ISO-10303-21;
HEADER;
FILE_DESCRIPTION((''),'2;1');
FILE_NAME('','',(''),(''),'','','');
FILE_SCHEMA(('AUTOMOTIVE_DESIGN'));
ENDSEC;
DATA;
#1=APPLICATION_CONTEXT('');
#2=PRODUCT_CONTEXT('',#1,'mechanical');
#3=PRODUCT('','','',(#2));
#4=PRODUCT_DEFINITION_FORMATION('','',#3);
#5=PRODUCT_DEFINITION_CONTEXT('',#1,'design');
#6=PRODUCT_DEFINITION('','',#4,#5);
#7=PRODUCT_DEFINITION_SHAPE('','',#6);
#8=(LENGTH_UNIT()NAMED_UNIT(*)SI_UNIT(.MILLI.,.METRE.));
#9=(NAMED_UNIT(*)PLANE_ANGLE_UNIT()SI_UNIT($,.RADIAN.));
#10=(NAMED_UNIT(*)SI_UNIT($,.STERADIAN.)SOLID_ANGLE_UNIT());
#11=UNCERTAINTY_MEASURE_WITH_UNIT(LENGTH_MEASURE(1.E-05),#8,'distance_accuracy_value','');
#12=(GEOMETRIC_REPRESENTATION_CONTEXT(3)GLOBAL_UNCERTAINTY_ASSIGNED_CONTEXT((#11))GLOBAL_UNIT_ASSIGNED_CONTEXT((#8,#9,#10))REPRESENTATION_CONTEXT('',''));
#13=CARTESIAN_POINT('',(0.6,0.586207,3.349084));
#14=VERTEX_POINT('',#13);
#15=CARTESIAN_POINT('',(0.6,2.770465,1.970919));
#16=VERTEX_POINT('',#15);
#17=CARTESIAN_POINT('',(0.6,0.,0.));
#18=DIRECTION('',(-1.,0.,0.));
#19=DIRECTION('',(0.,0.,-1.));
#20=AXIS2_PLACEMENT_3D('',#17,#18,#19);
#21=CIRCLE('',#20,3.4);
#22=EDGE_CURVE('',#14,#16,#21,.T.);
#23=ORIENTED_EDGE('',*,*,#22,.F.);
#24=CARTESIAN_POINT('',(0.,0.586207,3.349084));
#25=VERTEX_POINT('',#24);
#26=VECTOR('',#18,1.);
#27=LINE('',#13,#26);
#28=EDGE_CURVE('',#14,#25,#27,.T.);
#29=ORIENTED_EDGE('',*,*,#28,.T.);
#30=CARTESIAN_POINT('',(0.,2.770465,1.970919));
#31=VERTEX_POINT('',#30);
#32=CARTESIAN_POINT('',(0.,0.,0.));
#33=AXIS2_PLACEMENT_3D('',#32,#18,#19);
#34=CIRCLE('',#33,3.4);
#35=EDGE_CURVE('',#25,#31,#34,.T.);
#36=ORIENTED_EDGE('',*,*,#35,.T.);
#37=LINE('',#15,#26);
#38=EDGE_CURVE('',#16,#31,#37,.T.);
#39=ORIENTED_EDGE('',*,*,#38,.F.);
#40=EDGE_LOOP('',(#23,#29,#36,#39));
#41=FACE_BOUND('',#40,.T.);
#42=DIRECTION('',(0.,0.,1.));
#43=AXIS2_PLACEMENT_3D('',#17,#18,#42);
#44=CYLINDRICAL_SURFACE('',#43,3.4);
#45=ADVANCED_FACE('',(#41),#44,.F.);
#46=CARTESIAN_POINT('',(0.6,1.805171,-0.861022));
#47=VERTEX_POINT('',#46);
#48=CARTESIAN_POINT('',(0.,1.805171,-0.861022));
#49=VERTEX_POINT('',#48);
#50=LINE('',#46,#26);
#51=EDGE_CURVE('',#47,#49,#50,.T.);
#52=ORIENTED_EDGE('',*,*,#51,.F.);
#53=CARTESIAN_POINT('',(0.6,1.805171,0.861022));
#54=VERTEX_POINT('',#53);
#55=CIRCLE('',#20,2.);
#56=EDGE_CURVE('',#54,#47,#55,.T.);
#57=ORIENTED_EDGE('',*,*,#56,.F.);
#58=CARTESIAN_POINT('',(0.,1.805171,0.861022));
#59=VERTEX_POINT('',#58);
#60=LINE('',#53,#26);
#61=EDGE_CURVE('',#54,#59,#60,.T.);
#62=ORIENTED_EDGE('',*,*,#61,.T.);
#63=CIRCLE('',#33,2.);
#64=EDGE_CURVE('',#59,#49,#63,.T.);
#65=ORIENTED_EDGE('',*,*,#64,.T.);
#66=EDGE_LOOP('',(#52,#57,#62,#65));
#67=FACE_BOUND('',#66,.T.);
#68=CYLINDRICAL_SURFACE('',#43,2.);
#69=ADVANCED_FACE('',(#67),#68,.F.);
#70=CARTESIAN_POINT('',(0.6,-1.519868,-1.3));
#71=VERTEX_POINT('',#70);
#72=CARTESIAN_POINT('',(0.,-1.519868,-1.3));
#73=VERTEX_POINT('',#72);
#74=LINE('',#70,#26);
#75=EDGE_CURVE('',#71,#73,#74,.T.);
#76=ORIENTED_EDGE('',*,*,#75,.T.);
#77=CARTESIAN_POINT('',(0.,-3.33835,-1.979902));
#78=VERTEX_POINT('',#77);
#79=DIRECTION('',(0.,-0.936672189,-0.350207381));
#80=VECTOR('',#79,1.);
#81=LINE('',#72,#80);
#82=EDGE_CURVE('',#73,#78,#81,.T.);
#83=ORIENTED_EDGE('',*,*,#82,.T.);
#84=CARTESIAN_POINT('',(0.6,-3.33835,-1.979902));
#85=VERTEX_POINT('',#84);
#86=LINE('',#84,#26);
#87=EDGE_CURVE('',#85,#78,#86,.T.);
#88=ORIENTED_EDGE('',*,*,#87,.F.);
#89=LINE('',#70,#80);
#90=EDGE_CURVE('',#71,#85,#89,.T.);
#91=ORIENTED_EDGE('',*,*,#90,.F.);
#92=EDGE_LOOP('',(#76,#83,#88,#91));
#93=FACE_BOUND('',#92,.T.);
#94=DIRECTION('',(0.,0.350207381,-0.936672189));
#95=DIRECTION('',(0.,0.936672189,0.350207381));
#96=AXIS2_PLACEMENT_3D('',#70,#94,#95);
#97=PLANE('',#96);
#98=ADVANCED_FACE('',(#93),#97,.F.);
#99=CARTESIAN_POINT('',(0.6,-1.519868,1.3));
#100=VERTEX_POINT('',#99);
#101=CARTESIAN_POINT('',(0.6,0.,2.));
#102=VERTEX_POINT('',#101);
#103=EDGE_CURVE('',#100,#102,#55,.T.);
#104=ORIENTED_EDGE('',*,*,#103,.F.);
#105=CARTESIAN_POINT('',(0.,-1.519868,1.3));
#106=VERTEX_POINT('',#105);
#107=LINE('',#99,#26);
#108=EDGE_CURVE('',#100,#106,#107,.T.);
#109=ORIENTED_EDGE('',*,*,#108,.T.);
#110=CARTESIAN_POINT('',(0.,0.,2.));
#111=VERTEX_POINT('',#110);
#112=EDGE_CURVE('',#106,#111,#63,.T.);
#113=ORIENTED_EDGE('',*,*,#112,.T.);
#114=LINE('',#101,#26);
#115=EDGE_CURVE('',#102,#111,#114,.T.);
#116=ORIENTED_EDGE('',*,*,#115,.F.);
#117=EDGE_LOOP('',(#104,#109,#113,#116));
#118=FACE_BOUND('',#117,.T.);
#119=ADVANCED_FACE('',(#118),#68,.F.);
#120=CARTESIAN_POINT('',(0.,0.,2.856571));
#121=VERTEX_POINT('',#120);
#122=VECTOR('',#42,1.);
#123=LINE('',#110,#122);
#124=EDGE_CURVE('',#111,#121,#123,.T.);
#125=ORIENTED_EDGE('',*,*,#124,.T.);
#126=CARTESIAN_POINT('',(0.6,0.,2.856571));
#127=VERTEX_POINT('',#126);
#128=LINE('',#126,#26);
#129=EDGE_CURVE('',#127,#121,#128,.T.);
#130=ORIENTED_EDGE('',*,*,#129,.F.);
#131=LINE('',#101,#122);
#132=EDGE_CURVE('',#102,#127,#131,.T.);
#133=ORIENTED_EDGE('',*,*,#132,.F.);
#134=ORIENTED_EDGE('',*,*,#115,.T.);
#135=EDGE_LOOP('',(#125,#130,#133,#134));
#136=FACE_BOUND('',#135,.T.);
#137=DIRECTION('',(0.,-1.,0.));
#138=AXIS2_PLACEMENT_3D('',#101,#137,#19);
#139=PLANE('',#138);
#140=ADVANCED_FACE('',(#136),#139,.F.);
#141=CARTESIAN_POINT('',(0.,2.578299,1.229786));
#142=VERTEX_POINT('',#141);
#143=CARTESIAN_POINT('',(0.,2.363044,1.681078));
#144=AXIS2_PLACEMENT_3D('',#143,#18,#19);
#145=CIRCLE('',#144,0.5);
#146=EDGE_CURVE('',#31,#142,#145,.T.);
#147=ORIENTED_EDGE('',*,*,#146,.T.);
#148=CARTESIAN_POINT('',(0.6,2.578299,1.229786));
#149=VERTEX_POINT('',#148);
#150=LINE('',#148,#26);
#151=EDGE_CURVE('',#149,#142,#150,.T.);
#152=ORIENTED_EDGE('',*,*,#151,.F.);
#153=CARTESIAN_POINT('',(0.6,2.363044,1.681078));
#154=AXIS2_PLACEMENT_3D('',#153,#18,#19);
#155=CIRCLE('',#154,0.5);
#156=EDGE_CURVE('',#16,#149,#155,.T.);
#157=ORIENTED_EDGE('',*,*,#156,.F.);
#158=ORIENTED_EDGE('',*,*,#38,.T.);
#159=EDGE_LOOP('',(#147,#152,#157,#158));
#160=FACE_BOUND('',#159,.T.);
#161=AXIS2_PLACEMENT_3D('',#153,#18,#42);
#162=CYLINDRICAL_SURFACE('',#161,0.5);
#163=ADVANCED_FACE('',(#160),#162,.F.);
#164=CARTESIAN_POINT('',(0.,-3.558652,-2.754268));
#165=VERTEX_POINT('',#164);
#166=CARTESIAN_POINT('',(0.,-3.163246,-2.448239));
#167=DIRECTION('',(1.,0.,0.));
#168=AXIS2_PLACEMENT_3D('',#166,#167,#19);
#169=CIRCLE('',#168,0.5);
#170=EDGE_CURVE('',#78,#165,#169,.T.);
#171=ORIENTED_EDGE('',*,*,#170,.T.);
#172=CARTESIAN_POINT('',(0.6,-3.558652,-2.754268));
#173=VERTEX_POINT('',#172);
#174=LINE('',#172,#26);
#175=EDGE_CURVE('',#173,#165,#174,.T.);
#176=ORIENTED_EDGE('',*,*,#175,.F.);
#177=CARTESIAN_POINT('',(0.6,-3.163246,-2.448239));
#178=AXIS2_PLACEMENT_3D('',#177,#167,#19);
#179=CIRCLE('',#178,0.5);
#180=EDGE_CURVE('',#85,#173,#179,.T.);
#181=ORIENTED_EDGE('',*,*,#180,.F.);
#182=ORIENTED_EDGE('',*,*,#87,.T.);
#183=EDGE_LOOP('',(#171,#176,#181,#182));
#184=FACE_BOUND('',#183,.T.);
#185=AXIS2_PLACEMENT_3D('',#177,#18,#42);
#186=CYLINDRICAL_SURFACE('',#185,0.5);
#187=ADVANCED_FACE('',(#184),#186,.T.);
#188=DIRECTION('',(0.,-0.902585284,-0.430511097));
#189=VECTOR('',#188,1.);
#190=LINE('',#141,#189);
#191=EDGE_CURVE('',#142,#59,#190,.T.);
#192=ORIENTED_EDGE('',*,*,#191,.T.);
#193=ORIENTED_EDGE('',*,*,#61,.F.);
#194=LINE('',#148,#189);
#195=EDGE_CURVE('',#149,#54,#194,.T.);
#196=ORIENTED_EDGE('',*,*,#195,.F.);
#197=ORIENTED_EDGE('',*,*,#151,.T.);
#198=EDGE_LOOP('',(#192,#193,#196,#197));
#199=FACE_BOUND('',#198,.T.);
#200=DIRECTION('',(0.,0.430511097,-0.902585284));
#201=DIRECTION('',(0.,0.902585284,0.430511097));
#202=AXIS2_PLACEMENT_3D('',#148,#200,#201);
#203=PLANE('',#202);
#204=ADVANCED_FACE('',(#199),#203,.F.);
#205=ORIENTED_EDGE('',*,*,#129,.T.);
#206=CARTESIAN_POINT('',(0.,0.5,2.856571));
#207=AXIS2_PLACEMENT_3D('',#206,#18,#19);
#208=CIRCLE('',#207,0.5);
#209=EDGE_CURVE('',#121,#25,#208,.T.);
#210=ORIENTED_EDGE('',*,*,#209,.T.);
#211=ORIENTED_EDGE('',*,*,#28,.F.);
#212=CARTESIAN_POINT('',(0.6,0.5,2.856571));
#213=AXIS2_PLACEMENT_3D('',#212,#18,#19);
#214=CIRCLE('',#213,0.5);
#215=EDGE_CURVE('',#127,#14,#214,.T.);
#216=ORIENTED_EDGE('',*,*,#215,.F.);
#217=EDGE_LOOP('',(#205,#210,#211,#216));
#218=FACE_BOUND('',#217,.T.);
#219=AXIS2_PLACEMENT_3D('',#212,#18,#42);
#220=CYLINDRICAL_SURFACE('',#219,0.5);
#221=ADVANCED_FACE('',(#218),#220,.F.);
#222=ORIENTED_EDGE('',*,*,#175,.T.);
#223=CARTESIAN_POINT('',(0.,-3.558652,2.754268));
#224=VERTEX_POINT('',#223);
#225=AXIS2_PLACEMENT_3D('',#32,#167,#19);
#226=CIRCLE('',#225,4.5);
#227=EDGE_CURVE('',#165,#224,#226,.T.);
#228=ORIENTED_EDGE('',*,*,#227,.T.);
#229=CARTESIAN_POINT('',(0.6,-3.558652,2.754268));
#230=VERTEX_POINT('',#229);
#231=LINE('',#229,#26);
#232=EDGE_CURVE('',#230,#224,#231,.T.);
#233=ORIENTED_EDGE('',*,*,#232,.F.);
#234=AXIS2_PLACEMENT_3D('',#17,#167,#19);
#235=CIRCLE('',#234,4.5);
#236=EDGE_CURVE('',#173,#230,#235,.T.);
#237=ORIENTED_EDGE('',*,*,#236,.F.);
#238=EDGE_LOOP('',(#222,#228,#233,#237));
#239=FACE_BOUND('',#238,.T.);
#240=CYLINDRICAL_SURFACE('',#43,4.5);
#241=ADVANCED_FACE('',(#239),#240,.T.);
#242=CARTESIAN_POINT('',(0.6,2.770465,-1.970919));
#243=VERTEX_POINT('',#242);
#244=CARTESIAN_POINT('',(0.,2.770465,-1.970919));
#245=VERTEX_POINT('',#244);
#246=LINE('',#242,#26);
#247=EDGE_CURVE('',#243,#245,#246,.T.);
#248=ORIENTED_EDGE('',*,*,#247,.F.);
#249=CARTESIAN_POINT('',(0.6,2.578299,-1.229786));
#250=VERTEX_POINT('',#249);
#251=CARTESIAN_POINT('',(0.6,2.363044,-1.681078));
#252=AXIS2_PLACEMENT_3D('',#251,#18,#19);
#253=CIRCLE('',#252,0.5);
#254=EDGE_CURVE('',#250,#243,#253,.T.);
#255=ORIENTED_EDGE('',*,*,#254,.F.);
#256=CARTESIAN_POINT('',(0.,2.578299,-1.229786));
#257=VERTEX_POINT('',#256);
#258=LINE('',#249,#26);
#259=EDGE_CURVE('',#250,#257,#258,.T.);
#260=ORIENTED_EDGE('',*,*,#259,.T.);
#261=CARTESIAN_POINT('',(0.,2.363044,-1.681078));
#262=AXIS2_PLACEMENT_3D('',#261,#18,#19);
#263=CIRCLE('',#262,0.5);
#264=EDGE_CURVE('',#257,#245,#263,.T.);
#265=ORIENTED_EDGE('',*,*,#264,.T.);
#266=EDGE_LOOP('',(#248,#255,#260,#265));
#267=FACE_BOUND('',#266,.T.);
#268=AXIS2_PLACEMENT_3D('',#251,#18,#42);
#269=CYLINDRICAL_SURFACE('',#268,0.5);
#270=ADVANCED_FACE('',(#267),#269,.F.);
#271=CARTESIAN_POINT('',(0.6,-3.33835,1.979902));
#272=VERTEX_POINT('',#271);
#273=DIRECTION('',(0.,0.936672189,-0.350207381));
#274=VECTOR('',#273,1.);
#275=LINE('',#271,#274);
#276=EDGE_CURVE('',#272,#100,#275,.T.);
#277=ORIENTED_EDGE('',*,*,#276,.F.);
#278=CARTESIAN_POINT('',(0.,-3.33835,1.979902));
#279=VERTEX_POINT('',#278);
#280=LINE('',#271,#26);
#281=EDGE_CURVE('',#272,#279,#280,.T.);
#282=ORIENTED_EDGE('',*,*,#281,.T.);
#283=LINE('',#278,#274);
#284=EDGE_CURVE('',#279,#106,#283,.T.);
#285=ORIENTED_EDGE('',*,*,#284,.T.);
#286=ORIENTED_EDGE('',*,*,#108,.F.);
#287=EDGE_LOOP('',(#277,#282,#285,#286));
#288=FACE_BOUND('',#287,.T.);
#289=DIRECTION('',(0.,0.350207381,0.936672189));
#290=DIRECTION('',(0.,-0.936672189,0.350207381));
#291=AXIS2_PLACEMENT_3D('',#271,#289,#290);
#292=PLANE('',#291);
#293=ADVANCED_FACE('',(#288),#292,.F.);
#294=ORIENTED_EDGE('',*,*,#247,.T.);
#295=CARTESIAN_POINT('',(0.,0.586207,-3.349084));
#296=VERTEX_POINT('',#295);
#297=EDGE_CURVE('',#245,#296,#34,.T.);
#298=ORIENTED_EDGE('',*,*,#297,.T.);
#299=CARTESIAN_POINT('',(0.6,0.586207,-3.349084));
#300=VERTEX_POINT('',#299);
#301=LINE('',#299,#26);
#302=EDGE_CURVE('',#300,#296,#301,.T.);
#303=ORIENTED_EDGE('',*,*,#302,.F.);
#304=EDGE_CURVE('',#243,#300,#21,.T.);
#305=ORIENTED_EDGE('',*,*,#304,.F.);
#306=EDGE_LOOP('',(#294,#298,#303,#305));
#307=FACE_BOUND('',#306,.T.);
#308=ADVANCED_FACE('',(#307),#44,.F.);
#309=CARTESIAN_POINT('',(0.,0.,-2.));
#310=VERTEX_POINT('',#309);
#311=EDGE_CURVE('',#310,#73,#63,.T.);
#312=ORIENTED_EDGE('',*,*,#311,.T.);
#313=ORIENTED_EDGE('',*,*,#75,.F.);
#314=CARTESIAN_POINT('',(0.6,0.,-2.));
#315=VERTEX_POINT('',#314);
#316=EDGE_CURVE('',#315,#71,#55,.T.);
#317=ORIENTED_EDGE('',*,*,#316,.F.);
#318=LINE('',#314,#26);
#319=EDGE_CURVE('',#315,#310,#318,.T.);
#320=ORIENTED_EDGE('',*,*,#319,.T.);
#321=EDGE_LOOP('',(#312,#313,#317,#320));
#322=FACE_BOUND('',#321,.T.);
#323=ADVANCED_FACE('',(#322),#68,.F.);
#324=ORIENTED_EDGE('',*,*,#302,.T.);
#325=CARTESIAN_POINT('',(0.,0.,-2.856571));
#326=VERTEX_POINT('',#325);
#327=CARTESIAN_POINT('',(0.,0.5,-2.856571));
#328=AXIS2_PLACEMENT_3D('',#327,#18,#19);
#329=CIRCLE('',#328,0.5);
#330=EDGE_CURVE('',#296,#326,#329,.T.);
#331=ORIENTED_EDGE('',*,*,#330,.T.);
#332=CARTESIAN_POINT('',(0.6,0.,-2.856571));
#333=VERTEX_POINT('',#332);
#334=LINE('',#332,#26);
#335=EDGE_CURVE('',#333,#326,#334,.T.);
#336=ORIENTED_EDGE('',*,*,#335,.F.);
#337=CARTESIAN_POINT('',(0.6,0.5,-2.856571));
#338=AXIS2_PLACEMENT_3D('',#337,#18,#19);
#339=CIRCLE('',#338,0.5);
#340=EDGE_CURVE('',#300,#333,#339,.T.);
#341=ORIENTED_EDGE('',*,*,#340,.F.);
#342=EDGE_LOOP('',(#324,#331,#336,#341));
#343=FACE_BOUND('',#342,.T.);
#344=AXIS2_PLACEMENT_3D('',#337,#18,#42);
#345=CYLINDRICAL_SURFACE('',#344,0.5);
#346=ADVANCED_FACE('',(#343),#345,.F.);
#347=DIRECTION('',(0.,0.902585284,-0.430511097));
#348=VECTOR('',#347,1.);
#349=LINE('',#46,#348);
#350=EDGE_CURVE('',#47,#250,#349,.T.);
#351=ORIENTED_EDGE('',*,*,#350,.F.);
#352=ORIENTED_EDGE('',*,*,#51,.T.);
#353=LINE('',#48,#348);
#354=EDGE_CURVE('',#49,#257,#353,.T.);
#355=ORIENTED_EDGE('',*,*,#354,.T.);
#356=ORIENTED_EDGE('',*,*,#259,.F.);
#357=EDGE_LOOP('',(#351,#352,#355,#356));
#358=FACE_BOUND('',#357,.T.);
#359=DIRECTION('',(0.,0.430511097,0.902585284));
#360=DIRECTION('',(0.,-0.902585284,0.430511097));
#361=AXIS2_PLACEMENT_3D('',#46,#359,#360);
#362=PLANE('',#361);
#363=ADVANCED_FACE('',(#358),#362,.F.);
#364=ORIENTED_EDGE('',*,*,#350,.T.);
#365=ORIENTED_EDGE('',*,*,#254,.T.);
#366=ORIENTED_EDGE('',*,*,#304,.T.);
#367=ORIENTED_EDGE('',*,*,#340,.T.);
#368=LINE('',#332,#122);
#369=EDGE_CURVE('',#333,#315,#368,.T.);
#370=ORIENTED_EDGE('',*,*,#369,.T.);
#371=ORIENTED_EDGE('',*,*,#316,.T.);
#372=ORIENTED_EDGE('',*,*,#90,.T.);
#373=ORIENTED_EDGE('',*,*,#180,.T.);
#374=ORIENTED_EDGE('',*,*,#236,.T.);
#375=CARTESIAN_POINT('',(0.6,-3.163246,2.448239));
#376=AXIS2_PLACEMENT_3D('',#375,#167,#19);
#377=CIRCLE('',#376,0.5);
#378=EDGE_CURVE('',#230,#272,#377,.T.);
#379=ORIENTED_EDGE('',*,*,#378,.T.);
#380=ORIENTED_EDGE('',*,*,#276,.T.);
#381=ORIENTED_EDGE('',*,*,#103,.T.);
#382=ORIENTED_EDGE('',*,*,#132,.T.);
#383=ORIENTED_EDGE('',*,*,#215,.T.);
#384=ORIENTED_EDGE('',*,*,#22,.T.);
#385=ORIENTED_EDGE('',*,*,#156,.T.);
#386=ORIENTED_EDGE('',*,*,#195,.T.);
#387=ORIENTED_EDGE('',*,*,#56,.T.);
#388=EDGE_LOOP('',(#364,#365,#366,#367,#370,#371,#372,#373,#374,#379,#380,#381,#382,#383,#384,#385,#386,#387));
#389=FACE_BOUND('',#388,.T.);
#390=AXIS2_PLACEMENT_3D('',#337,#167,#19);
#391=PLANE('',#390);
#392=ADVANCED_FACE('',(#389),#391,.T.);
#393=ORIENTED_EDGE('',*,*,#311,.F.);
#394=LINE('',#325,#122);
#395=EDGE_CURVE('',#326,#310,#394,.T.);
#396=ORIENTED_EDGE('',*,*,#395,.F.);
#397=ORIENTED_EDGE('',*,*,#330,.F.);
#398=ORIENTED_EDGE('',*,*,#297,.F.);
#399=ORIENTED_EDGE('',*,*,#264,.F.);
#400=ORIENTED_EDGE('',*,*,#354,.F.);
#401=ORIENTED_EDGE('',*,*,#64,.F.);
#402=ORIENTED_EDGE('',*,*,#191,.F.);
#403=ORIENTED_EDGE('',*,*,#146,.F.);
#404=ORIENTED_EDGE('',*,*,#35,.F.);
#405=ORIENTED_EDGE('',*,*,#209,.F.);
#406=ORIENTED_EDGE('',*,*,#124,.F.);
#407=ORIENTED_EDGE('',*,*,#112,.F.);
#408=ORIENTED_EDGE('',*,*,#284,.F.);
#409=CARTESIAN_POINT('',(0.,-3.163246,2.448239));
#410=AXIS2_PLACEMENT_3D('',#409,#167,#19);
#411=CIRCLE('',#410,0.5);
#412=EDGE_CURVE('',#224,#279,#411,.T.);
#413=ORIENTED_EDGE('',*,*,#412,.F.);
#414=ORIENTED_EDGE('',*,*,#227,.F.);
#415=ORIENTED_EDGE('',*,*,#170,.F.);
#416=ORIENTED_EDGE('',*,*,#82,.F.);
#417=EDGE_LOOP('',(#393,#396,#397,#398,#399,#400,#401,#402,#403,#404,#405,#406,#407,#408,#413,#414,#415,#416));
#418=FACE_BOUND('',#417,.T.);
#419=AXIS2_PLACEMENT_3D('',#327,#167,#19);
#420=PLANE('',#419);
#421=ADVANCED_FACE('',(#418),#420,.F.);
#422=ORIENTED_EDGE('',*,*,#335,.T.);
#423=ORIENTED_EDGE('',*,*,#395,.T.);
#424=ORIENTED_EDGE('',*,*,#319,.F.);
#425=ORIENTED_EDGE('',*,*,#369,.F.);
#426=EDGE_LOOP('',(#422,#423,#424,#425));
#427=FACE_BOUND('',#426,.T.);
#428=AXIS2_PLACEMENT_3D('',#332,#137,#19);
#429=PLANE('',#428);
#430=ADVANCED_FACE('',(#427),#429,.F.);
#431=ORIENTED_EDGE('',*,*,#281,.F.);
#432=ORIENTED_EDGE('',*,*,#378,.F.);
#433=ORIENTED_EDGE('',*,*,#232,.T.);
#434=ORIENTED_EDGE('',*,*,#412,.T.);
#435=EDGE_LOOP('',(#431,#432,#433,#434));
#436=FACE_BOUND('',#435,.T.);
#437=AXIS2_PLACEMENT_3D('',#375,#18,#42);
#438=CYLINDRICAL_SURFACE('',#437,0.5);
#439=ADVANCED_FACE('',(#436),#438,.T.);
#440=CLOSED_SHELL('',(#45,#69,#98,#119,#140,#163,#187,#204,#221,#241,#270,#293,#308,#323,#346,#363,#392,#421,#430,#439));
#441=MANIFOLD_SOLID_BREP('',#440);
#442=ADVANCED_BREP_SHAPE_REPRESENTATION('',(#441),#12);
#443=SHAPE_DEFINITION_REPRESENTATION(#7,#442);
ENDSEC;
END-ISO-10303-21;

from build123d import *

# Parameters (mm, degrees)
BOSS_EXTRUDE1_DEPTH = 0.6


with BuildPart() as part:
    # Sketch1 → Boss-Extrude1 (new body)
    with BuildSketch(Plane(origin=(0, 0, 0), x_dir=(0, 0, -1), z_dir=(1, 0, 0))):
        with BuildLine():
            Line((2.856571371, 0), (2, 0))
            ThreePointArc((2, 0), (1.816590212, -0.836660027), (1.3, -1.519868415))
            Line((1.3, -1.519868415), (1.979902452, -3.338350127))
            ThreePointArc((1.979902452, -3.338350127), (2.311420831, -3.644163179), (2.754268365, -3.558652241))
            ThreePointArc((2.754268365, -3.558652241), (0, 4.5), (-2.754268365, -3.558652241))
            ThreePointArc((-2.754268365, -3.558652241), (-2.311420831, -3.644163179), (-1.979902452, -3.338350127))
            Line((-1.979902452, -3.338350127), (-1.3, -1.519868415))
            ThreePointArc((-1.3, -1.519868415), (-1.816590212, -0.836660027), (-2, 0))
            Line((-2, 0), (-2.856571371, 0))
            ThreePointArc((-2.856571371, 0), (-3.239392118, 0.17836624), (-3.349083677, 0.586206897))
            ThreePointArc((-3.349083677, 0.586206897), (-2.875474594, 1.814289354), (-1.970919405, 2.770465069))
            ThreePointArc((-1.970919405, 2.770465069), (-1.555584997, 2.847039011), (-1.229785674, 2.578299284))
            Line((-1.229785674, 2.578299284), (-0.861022194, 1.805170569))
            ThreePointArc((-0.861022194, 1.805170569), (0, 2), (0.861022194, 1.805170569))
            Line((0.861022194, 1.805170569), (1.229785674, 2.578299284))
            ThreePointArc((1.229785674, 2.578299284), (1.555584997, 2.847039011), (1.970919405, 2.770465069))
            ThreePointArc((1.970919405, 2.770465069), (2.875474594, 1.814289354), (3.349083677, 0.586206897))
            ThreePointArc((3.349083677, 0.586206897), (3.239392118, 0.17836624), (2.856571371, 0))
        make_face()
    extrude(amount=BOSS_EXTRUDE1_DEPTH)


solid = part.part
